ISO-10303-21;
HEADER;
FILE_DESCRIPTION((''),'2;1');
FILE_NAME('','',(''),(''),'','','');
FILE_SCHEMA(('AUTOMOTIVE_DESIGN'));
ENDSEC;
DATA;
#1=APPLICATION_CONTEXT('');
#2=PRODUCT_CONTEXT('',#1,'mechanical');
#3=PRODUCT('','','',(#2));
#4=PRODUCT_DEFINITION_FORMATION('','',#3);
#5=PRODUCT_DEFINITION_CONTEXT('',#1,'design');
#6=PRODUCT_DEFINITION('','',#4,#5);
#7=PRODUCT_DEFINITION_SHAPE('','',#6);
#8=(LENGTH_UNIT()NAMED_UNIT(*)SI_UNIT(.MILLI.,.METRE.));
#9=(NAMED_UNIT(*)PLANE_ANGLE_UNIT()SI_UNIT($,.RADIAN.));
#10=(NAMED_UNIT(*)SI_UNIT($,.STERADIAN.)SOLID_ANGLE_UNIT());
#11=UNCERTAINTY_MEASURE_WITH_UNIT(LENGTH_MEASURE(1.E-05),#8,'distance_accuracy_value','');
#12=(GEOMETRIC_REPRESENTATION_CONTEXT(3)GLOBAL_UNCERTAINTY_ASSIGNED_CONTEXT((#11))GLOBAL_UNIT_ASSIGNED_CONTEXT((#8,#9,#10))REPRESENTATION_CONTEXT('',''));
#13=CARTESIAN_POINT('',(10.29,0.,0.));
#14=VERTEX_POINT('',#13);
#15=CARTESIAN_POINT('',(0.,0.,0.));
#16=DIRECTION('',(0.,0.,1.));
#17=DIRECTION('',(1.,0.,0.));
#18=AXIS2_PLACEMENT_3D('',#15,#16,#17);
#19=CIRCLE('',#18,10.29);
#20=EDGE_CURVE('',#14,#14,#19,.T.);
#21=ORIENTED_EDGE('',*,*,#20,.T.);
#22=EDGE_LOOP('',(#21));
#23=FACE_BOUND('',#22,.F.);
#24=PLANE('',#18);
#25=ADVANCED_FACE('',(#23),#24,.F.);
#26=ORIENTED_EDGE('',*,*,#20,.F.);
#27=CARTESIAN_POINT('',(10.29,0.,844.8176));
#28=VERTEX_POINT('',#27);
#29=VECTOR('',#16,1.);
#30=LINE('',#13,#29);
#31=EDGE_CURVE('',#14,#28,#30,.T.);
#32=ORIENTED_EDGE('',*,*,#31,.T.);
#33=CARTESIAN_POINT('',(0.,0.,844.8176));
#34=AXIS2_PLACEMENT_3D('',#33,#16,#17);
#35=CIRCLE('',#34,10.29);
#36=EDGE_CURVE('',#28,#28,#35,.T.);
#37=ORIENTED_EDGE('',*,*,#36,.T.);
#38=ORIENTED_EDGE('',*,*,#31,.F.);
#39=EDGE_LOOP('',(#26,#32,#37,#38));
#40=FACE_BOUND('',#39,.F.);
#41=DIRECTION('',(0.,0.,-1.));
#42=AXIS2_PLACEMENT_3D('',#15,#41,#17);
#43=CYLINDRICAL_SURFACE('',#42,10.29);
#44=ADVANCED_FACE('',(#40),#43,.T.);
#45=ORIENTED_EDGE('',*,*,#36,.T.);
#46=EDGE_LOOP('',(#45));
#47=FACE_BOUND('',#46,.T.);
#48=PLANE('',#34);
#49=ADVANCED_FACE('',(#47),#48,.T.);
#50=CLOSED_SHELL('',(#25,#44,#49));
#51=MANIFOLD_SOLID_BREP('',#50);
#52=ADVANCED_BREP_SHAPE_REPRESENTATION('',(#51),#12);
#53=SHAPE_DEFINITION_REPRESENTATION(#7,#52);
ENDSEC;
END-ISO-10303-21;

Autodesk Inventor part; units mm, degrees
ref_plane "YZ Plane" through (0, 0, 0) normal (1, 0, 0) x (0, 1, 0)
ref_plane "XZ Plane" through (0, 0, 0) normal (0, 1, 0) x (-1, 0, 0)
sketch "Sketch1" plane through (0, 0, 0) normal (0, 0, 1) x (1, 0, 0)
  circle A0 centre (0, 0) radius 10.29 projected
  point P0 (0, 0)
ref_plane "Work Plane1" through (-12.0163, -12.0163, 844.8176) normal (0, 0, -1) x (-0.185, 0.9827, 0)
extrude "Extrusion1" add sketch "Sketch1" along normal up to surface (844.8176 mm away)
properties part number "Axle1" material "Iron, Gray"
